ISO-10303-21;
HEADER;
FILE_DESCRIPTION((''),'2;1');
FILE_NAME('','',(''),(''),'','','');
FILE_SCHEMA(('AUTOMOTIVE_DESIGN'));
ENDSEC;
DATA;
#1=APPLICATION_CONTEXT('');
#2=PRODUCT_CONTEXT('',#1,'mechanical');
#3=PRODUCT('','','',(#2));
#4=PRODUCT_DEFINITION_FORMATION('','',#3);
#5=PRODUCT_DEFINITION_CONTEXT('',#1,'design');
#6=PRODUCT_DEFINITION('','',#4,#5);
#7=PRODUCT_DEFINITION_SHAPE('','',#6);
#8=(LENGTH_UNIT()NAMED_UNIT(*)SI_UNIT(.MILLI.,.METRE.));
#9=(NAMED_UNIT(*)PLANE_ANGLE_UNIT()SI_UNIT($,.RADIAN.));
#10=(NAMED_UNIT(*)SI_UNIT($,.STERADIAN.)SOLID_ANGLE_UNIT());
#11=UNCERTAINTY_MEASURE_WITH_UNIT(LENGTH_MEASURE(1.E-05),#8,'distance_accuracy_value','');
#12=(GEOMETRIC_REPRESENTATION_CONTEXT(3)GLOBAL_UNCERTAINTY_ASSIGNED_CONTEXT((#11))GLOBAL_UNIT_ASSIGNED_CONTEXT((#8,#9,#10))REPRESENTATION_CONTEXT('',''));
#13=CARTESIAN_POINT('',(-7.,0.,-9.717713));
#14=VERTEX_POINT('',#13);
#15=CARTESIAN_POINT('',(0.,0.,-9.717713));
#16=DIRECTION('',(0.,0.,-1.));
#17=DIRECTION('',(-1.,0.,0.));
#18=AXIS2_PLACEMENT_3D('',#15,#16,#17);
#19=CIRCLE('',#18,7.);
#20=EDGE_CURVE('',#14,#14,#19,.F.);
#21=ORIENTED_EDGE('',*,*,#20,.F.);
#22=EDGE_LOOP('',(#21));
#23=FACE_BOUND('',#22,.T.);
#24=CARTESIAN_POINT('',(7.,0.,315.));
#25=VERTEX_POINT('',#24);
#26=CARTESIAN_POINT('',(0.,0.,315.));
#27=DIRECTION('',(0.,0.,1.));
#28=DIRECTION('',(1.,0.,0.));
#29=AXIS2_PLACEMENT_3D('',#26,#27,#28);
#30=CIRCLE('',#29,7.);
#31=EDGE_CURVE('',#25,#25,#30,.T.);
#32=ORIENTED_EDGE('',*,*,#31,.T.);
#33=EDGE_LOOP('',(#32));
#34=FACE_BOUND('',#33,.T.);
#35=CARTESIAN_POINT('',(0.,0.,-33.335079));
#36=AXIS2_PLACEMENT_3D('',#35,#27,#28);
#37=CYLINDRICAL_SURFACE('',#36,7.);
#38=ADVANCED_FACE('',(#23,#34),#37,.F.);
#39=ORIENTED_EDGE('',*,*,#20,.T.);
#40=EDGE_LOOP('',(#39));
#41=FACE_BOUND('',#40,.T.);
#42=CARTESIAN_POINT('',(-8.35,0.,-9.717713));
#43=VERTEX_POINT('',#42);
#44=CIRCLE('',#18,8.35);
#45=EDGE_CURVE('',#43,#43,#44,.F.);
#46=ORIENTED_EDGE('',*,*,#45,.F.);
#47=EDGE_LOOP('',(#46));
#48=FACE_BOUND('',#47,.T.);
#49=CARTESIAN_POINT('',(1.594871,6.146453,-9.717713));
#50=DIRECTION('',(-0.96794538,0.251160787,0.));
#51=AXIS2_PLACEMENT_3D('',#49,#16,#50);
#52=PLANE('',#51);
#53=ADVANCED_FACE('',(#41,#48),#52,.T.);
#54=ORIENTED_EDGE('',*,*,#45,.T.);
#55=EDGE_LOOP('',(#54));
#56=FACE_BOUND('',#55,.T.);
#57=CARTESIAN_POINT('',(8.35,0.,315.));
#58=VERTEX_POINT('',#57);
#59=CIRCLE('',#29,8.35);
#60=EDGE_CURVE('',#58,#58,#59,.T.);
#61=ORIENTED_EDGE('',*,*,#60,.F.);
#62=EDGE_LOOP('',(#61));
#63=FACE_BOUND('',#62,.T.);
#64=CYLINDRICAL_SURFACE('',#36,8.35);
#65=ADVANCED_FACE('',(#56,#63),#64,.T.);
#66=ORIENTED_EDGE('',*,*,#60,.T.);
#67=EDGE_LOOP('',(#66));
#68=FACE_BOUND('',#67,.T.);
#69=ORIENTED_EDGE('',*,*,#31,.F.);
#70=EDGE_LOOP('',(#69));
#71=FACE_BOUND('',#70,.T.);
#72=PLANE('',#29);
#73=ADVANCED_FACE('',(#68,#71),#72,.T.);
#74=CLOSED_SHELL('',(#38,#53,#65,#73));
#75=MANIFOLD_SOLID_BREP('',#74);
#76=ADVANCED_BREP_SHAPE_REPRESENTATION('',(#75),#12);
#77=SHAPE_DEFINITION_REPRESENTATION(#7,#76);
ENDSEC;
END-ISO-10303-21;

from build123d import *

# Parameters (mm, degrees)
SZKIC1_R                         = 8.35
SZKIC1_R_2                       = 7
DODANIE_WYCI_GNI_CIE1_DEPTH      = 315
DODANIE_WYCI_GNI_CIE1_DEPTH_BACK = 9.717713


with BuildPart() as part:
    # Szkic1 → Dodanie-wyciągnięcie1 (new body, two sides)
    with BuildSketch(Plane.XY) as dodanie_wyci_gni_cie1_sk:
        Circle(SZKIC1_R)
        Circle(SZKIC1_R_2, mode=Mode.SUBTRACT)
    extrude(amount=DODANIE_WYCI_GNI_CIE1_DEPTH)
    extrude(dodanie_wyci_gni_cie1_sk.sketch, amount=-DODANIE_WYCI_GNI_CIE1_DEPTH_BACK)


solid = part.part
